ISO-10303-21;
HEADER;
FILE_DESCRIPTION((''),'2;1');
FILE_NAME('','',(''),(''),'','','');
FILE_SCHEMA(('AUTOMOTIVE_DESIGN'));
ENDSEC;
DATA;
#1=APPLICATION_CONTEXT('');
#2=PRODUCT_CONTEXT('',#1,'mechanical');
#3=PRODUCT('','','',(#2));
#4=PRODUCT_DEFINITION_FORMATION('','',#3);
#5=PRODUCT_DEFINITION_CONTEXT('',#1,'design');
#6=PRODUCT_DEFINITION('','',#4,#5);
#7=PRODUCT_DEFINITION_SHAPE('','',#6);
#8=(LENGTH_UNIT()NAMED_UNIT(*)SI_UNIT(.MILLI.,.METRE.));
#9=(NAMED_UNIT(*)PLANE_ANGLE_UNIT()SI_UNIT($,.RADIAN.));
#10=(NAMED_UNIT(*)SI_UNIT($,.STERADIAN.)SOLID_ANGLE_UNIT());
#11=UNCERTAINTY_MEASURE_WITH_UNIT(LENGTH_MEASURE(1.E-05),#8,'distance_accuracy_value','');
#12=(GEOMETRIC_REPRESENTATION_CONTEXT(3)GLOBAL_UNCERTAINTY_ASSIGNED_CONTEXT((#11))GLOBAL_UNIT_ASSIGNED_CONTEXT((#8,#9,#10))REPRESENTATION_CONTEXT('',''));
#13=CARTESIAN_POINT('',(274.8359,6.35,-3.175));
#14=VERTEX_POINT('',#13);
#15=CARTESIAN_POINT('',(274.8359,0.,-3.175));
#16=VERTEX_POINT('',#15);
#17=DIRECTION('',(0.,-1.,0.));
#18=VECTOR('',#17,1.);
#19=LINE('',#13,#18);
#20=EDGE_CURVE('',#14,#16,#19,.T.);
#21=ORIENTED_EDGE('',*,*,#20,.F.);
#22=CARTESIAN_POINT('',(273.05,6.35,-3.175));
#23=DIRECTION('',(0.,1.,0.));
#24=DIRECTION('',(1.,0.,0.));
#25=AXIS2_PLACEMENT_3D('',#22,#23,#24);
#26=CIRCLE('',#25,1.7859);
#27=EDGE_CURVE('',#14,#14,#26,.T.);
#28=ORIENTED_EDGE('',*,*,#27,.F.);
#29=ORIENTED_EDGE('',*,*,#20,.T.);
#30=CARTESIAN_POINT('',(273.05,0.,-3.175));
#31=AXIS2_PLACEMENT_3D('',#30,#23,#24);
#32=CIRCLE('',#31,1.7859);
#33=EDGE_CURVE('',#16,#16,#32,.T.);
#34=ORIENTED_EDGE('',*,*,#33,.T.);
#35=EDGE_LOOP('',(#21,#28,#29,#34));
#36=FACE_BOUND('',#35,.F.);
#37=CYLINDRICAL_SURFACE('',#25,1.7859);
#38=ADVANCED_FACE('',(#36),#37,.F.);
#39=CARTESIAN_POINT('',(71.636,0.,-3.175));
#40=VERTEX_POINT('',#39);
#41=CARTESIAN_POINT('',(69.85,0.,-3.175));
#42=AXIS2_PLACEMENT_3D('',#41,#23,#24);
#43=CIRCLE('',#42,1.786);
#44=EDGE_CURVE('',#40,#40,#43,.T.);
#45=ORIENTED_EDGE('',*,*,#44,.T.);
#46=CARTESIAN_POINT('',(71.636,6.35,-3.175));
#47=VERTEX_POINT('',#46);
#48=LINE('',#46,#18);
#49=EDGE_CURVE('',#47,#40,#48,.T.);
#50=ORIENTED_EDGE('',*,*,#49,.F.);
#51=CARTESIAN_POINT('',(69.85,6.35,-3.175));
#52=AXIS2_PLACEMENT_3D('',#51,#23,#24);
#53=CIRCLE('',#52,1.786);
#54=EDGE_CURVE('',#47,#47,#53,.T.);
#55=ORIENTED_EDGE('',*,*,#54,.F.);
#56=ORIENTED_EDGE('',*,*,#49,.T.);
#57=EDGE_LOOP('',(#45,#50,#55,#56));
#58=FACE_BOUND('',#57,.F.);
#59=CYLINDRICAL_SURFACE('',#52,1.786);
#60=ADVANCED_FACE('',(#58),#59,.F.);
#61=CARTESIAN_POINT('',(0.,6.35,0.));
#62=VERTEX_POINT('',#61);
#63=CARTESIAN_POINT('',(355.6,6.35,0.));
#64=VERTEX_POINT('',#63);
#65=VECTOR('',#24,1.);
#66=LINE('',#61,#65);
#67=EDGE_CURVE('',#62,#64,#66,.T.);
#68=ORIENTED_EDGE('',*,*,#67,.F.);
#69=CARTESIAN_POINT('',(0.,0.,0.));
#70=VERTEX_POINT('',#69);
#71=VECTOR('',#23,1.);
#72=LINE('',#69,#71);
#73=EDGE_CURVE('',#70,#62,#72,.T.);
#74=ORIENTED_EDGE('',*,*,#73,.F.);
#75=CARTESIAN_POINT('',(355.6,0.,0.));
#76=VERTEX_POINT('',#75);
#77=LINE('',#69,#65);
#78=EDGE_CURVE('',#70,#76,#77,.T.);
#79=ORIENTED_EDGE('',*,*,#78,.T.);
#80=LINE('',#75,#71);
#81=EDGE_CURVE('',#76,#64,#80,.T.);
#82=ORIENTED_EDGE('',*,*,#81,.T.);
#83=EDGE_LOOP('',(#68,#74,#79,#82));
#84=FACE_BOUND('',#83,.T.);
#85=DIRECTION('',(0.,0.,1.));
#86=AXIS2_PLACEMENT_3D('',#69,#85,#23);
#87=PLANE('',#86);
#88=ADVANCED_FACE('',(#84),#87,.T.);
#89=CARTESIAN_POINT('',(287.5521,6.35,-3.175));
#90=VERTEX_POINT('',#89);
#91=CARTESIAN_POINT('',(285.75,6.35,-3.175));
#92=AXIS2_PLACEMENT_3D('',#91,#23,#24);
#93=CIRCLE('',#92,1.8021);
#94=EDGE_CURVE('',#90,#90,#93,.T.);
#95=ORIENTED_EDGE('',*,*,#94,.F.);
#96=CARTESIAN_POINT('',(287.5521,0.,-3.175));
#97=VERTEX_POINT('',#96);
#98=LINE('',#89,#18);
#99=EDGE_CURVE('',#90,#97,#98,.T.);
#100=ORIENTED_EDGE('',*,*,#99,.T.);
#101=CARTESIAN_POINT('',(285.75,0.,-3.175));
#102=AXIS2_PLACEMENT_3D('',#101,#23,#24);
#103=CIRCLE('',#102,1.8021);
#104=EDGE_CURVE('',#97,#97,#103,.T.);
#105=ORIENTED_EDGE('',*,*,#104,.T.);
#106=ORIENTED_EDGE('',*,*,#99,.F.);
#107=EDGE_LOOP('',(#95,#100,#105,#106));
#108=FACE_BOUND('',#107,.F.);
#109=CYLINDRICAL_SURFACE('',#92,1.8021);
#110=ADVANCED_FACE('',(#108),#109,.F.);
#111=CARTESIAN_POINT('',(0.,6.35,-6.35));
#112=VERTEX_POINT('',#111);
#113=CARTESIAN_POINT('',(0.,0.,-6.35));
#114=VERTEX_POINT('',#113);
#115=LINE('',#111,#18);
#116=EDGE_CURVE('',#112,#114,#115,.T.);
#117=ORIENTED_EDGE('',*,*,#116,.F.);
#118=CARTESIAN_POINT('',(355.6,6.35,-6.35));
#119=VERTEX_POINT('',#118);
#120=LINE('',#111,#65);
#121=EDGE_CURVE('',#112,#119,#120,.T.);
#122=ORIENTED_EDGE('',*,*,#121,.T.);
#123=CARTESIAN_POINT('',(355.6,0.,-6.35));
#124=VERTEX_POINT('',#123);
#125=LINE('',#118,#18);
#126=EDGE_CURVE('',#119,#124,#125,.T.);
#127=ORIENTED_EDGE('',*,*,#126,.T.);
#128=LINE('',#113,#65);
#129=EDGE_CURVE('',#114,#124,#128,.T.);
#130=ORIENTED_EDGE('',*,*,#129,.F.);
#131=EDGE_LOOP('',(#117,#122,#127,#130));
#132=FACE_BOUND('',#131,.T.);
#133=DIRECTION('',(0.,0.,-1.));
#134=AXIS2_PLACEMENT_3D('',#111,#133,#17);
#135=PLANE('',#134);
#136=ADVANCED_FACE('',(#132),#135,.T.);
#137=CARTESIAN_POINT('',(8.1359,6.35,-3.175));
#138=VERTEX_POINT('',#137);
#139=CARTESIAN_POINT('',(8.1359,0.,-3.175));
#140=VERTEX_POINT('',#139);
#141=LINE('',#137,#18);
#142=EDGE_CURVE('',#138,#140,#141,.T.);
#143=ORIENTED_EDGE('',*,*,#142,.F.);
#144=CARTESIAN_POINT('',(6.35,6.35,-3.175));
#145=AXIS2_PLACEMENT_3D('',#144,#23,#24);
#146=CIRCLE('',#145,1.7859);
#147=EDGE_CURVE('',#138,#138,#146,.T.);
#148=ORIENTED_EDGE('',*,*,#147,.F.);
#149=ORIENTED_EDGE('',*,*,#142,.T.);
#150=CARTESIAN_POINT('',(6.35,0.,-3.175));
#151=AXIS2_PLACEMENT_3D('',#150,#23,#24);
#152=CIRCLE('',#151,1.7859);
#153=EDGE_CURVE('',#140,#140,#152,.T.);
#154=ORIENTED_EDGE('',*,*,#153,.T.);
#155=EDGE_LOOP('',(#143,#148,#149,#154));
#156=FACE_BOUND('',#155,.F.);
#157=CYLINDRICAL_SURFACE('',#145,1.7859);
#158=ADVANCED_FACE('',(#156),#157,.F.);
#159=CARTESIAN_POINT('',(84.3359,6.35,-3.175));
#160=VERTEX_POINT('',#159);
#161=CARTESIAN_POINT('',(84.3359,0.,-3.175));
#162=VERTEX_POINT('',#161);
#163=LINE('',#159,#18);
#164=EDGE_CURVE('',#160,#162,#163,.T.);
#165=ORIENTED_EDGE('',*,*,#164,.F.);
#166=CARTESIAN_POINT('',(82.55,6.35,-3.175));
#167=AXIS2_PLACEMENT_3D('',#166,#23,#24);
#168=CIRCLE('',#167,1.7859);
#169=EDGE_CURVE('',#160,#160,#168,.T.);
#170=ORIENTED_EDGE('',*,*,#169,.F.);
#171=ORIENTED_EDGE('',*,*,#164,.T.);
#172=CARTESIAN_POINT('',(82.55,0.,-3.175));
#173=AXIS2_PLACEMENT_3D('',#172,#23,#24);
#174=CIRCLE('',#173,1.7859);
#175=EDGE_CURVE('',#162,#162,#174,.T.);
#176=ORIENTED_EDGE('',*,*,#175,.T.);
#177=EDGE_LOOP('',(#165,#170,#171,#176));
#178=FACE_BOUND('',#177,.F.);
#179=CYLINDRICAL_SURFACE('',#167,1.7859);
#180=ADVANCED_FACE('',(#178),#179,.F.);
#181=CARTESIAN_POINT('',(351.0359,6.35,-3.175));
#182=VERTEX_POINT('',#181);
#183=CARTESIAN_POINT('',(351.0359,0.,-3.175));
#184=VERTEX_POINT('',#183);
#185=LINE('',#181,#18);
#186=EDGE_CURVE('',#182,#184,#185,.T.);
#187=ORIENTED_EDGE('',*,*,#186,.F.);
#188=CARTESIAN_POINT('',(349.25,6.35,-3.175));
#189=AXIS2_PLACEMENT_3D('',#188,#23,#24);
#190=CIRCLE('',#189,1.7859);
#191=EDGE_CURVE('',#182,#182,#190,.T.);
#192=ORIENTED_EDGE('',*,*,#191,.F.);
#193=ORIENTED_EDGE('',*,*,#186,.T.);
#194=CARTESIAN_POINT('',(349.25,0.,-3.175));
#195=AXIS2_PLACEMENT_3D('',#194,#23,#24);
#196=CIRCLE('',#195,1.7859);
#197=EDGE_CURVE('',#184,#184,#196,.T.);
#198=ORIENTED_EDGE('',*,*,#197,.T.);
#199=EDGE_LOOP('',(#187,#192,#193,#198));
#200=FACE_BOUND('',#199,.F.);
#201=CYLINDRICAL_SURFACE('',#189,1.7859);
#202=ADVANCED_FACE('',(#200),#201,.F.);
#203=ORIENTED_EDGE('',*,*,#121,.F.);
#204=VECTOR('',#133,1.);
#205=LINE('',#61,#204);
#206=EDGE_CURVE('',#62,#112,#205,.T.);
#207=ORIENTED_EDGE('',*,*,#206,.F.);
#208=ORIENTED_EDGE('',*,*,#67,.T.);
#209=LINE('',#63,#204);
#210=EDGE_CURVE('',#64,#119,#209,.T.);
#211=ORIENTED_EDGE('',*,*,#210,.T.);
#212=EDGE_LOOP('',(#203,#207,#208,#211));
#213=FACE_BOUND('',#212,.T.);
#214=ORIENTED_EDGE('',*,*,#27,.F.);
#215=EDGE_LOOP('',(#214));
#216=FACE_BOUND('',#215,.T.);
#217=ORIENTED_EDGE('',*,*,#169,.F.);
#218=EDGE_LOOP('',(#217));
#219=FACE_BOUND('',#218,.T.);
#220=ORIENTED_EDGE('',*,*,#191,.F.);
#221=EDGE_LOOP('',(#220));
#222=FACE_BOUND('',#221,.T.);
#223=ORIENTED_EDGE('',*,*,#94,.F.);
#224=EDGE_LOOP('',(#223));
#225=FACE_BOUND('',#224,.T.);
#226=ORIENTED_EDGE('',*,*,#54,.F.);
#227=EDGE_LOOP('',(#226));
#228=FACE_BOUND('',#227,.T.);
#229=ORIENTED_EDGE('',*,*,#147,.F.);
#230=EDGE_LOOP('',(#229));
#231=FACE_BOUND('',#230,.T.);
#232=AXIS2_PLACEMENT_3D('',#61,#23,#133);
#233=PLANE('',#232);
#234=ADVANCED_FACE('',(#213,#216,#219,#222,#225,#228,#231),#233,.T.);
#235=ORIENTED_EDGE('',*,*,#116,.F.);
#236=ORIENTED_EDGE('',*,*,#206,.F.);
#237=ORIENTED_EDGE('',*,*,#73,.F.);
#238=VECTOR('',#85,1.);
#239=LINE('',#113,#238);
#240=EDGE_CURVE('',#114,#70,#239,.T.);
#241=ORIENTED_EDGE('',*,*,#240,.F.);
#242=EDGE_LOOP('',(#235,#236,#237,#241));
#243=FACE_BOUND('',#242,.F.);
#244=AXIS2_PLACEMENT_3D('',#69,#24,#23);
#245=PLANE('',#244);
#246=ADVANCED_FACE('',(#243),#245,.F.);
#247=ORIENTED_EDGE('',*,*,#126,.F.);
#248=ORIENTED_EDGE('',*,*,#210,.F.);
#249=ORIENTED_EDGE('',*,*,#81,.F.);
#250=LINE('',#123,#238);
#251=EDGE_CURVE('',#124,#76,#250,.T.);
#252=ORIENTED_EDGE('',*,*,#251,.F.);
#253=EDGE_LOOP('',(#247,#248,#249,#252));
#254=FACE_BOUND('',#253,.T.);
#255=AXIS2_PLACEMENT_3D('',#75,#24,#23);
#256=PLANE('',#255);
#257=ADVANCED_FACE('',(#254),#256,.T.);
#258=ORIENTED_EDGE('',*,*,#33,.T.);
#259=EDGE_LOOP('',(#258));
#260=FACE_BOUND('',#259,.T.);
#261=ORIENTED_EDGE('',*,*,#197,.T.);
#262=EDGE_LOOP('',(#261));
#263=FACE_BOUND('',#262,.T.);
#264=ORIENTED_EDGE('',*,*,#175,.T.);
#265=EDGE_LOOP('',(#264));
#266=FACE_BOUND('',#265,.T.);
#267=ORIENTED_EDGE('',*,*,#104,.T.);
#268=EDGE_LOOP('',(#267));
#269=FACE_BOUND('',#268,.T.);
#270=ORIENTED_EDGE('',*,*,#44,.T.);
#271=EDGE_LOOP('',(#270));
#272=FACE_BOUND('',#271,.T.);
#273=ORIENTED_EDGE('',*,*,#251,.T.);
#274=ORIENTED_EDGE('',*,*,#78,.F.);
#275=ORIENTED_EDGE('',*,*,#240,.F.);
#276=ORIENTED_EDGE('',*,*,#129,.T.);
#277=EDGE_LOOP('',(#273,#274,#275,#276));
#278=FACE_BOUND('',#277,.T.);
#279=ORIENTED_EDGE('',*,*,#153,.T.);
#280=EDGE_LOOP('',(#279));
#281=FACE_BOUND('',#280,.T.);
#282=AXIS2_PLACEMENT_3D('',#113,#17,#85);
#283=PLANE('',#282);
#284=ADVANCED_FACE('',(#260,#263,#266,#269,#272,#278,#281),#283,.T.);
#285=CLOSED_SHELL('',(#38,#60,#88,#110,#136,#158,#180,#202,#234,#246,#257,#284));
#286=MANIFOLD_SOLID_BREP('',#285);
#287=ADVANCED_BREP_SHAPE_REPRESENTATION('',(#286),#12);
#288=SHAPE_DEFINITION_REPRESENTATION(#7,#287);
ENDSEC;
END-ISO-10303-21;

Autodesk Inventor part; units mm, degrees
ref_plane "YZ Plane" through (0, 0, 0) normal (1, 0, 0) x (0, 1, 0)
ref_plane "XZ Plane" through (0, 0, 0) normal (0, 1, 0) x (-1, 0, 0)
ref_plane "XY Plane" through (0, 0, 0) normal (0, 0, 1) x (1, 0, 0)
sketch "Sketch1" plane through (0, 0, 0) normal (1, 0, 0) x (0, 1, 0)
  line L0 (0, 0) -> (6.35, 0)
  line L1 (6.35, 0) -> (6.35, -6.35)
  line L2 (6.35, -6.35) -> (0, -6.35)
  line L3 (0, -6.35) -> (0, 0)
  dimension "d0" = 6.35
  dimension "d1" = 6.35
extrude "Extrusion1" add sketch "Sketch1" along normal blind 355.6
sketch "Sketch2" plane through (0, 6.35, 0) normal (0, 1, 0) x (1, 0, 0)
  circle A0 centre (6.35, 3.175) radius 1.7859
  line L0 (0, 6.35) -> (0, 0) projected
  line L1 (0, 0) -> (355.6, 0) projected
  circle A1 centre (349.25, 3.175) radius 1.7859
  line L2 (355.6, 6.35) -> (355.6, 0) projected
  circle A2 centre (82.55, 3.175) radius 1.7859
  circle A3 centre (273.05, 3.175) radius 1.7859
  circle A4 centre (285.75, 3.175) radius 1.8021
  circle A5 centre (69.85, 3.175) radius 1.786
  dimension "d4" = 3.5719
  dimension "d5" = 6.35
  dimension "d6" = 3.175
  dimension "d7" = 3.5719
  dimension "d8" = 6.35
  dimension "d9" = 3.175
  dimension "d16" = 3.5719
  dimension "d17" = 3.175
  dimension "d18" = 76.2
  dimension "d19" = 3.5719
  dimension "d20" = 3.175
  dimension "d21" = 76.2
  dimension "d26" = 12.7
  dimension "d27" = 12.7
extrude "Extrusion2" cut sketch "Sketch2" against normal through all
thread "Thread1" size "8-32 UNC" class "2B" standard "ANSI Unified Screw Threads" full length
thread "Thread2" size "8-32 UNC" class "2B" standard "ANSI Unified Screw Threads" full length
thread "Thread3" size "8-32 UNC" class "2B" standard "ANSI Unified Screw Threads" full length
thread "Thread4" size "8-32 UNC" class "2B" standard "ANSI Unified Screw Threads" full length
thread "Thread5" size "8-32 UNC" class "2B" standard "ANSI Unified Screw Threads" full length
thread "Thread6" size "8-32 UNC" class "2B" standard "ANSI Unified Screw Threads" full length
properties part number "Chassis Cross Brace" material "Steel"
